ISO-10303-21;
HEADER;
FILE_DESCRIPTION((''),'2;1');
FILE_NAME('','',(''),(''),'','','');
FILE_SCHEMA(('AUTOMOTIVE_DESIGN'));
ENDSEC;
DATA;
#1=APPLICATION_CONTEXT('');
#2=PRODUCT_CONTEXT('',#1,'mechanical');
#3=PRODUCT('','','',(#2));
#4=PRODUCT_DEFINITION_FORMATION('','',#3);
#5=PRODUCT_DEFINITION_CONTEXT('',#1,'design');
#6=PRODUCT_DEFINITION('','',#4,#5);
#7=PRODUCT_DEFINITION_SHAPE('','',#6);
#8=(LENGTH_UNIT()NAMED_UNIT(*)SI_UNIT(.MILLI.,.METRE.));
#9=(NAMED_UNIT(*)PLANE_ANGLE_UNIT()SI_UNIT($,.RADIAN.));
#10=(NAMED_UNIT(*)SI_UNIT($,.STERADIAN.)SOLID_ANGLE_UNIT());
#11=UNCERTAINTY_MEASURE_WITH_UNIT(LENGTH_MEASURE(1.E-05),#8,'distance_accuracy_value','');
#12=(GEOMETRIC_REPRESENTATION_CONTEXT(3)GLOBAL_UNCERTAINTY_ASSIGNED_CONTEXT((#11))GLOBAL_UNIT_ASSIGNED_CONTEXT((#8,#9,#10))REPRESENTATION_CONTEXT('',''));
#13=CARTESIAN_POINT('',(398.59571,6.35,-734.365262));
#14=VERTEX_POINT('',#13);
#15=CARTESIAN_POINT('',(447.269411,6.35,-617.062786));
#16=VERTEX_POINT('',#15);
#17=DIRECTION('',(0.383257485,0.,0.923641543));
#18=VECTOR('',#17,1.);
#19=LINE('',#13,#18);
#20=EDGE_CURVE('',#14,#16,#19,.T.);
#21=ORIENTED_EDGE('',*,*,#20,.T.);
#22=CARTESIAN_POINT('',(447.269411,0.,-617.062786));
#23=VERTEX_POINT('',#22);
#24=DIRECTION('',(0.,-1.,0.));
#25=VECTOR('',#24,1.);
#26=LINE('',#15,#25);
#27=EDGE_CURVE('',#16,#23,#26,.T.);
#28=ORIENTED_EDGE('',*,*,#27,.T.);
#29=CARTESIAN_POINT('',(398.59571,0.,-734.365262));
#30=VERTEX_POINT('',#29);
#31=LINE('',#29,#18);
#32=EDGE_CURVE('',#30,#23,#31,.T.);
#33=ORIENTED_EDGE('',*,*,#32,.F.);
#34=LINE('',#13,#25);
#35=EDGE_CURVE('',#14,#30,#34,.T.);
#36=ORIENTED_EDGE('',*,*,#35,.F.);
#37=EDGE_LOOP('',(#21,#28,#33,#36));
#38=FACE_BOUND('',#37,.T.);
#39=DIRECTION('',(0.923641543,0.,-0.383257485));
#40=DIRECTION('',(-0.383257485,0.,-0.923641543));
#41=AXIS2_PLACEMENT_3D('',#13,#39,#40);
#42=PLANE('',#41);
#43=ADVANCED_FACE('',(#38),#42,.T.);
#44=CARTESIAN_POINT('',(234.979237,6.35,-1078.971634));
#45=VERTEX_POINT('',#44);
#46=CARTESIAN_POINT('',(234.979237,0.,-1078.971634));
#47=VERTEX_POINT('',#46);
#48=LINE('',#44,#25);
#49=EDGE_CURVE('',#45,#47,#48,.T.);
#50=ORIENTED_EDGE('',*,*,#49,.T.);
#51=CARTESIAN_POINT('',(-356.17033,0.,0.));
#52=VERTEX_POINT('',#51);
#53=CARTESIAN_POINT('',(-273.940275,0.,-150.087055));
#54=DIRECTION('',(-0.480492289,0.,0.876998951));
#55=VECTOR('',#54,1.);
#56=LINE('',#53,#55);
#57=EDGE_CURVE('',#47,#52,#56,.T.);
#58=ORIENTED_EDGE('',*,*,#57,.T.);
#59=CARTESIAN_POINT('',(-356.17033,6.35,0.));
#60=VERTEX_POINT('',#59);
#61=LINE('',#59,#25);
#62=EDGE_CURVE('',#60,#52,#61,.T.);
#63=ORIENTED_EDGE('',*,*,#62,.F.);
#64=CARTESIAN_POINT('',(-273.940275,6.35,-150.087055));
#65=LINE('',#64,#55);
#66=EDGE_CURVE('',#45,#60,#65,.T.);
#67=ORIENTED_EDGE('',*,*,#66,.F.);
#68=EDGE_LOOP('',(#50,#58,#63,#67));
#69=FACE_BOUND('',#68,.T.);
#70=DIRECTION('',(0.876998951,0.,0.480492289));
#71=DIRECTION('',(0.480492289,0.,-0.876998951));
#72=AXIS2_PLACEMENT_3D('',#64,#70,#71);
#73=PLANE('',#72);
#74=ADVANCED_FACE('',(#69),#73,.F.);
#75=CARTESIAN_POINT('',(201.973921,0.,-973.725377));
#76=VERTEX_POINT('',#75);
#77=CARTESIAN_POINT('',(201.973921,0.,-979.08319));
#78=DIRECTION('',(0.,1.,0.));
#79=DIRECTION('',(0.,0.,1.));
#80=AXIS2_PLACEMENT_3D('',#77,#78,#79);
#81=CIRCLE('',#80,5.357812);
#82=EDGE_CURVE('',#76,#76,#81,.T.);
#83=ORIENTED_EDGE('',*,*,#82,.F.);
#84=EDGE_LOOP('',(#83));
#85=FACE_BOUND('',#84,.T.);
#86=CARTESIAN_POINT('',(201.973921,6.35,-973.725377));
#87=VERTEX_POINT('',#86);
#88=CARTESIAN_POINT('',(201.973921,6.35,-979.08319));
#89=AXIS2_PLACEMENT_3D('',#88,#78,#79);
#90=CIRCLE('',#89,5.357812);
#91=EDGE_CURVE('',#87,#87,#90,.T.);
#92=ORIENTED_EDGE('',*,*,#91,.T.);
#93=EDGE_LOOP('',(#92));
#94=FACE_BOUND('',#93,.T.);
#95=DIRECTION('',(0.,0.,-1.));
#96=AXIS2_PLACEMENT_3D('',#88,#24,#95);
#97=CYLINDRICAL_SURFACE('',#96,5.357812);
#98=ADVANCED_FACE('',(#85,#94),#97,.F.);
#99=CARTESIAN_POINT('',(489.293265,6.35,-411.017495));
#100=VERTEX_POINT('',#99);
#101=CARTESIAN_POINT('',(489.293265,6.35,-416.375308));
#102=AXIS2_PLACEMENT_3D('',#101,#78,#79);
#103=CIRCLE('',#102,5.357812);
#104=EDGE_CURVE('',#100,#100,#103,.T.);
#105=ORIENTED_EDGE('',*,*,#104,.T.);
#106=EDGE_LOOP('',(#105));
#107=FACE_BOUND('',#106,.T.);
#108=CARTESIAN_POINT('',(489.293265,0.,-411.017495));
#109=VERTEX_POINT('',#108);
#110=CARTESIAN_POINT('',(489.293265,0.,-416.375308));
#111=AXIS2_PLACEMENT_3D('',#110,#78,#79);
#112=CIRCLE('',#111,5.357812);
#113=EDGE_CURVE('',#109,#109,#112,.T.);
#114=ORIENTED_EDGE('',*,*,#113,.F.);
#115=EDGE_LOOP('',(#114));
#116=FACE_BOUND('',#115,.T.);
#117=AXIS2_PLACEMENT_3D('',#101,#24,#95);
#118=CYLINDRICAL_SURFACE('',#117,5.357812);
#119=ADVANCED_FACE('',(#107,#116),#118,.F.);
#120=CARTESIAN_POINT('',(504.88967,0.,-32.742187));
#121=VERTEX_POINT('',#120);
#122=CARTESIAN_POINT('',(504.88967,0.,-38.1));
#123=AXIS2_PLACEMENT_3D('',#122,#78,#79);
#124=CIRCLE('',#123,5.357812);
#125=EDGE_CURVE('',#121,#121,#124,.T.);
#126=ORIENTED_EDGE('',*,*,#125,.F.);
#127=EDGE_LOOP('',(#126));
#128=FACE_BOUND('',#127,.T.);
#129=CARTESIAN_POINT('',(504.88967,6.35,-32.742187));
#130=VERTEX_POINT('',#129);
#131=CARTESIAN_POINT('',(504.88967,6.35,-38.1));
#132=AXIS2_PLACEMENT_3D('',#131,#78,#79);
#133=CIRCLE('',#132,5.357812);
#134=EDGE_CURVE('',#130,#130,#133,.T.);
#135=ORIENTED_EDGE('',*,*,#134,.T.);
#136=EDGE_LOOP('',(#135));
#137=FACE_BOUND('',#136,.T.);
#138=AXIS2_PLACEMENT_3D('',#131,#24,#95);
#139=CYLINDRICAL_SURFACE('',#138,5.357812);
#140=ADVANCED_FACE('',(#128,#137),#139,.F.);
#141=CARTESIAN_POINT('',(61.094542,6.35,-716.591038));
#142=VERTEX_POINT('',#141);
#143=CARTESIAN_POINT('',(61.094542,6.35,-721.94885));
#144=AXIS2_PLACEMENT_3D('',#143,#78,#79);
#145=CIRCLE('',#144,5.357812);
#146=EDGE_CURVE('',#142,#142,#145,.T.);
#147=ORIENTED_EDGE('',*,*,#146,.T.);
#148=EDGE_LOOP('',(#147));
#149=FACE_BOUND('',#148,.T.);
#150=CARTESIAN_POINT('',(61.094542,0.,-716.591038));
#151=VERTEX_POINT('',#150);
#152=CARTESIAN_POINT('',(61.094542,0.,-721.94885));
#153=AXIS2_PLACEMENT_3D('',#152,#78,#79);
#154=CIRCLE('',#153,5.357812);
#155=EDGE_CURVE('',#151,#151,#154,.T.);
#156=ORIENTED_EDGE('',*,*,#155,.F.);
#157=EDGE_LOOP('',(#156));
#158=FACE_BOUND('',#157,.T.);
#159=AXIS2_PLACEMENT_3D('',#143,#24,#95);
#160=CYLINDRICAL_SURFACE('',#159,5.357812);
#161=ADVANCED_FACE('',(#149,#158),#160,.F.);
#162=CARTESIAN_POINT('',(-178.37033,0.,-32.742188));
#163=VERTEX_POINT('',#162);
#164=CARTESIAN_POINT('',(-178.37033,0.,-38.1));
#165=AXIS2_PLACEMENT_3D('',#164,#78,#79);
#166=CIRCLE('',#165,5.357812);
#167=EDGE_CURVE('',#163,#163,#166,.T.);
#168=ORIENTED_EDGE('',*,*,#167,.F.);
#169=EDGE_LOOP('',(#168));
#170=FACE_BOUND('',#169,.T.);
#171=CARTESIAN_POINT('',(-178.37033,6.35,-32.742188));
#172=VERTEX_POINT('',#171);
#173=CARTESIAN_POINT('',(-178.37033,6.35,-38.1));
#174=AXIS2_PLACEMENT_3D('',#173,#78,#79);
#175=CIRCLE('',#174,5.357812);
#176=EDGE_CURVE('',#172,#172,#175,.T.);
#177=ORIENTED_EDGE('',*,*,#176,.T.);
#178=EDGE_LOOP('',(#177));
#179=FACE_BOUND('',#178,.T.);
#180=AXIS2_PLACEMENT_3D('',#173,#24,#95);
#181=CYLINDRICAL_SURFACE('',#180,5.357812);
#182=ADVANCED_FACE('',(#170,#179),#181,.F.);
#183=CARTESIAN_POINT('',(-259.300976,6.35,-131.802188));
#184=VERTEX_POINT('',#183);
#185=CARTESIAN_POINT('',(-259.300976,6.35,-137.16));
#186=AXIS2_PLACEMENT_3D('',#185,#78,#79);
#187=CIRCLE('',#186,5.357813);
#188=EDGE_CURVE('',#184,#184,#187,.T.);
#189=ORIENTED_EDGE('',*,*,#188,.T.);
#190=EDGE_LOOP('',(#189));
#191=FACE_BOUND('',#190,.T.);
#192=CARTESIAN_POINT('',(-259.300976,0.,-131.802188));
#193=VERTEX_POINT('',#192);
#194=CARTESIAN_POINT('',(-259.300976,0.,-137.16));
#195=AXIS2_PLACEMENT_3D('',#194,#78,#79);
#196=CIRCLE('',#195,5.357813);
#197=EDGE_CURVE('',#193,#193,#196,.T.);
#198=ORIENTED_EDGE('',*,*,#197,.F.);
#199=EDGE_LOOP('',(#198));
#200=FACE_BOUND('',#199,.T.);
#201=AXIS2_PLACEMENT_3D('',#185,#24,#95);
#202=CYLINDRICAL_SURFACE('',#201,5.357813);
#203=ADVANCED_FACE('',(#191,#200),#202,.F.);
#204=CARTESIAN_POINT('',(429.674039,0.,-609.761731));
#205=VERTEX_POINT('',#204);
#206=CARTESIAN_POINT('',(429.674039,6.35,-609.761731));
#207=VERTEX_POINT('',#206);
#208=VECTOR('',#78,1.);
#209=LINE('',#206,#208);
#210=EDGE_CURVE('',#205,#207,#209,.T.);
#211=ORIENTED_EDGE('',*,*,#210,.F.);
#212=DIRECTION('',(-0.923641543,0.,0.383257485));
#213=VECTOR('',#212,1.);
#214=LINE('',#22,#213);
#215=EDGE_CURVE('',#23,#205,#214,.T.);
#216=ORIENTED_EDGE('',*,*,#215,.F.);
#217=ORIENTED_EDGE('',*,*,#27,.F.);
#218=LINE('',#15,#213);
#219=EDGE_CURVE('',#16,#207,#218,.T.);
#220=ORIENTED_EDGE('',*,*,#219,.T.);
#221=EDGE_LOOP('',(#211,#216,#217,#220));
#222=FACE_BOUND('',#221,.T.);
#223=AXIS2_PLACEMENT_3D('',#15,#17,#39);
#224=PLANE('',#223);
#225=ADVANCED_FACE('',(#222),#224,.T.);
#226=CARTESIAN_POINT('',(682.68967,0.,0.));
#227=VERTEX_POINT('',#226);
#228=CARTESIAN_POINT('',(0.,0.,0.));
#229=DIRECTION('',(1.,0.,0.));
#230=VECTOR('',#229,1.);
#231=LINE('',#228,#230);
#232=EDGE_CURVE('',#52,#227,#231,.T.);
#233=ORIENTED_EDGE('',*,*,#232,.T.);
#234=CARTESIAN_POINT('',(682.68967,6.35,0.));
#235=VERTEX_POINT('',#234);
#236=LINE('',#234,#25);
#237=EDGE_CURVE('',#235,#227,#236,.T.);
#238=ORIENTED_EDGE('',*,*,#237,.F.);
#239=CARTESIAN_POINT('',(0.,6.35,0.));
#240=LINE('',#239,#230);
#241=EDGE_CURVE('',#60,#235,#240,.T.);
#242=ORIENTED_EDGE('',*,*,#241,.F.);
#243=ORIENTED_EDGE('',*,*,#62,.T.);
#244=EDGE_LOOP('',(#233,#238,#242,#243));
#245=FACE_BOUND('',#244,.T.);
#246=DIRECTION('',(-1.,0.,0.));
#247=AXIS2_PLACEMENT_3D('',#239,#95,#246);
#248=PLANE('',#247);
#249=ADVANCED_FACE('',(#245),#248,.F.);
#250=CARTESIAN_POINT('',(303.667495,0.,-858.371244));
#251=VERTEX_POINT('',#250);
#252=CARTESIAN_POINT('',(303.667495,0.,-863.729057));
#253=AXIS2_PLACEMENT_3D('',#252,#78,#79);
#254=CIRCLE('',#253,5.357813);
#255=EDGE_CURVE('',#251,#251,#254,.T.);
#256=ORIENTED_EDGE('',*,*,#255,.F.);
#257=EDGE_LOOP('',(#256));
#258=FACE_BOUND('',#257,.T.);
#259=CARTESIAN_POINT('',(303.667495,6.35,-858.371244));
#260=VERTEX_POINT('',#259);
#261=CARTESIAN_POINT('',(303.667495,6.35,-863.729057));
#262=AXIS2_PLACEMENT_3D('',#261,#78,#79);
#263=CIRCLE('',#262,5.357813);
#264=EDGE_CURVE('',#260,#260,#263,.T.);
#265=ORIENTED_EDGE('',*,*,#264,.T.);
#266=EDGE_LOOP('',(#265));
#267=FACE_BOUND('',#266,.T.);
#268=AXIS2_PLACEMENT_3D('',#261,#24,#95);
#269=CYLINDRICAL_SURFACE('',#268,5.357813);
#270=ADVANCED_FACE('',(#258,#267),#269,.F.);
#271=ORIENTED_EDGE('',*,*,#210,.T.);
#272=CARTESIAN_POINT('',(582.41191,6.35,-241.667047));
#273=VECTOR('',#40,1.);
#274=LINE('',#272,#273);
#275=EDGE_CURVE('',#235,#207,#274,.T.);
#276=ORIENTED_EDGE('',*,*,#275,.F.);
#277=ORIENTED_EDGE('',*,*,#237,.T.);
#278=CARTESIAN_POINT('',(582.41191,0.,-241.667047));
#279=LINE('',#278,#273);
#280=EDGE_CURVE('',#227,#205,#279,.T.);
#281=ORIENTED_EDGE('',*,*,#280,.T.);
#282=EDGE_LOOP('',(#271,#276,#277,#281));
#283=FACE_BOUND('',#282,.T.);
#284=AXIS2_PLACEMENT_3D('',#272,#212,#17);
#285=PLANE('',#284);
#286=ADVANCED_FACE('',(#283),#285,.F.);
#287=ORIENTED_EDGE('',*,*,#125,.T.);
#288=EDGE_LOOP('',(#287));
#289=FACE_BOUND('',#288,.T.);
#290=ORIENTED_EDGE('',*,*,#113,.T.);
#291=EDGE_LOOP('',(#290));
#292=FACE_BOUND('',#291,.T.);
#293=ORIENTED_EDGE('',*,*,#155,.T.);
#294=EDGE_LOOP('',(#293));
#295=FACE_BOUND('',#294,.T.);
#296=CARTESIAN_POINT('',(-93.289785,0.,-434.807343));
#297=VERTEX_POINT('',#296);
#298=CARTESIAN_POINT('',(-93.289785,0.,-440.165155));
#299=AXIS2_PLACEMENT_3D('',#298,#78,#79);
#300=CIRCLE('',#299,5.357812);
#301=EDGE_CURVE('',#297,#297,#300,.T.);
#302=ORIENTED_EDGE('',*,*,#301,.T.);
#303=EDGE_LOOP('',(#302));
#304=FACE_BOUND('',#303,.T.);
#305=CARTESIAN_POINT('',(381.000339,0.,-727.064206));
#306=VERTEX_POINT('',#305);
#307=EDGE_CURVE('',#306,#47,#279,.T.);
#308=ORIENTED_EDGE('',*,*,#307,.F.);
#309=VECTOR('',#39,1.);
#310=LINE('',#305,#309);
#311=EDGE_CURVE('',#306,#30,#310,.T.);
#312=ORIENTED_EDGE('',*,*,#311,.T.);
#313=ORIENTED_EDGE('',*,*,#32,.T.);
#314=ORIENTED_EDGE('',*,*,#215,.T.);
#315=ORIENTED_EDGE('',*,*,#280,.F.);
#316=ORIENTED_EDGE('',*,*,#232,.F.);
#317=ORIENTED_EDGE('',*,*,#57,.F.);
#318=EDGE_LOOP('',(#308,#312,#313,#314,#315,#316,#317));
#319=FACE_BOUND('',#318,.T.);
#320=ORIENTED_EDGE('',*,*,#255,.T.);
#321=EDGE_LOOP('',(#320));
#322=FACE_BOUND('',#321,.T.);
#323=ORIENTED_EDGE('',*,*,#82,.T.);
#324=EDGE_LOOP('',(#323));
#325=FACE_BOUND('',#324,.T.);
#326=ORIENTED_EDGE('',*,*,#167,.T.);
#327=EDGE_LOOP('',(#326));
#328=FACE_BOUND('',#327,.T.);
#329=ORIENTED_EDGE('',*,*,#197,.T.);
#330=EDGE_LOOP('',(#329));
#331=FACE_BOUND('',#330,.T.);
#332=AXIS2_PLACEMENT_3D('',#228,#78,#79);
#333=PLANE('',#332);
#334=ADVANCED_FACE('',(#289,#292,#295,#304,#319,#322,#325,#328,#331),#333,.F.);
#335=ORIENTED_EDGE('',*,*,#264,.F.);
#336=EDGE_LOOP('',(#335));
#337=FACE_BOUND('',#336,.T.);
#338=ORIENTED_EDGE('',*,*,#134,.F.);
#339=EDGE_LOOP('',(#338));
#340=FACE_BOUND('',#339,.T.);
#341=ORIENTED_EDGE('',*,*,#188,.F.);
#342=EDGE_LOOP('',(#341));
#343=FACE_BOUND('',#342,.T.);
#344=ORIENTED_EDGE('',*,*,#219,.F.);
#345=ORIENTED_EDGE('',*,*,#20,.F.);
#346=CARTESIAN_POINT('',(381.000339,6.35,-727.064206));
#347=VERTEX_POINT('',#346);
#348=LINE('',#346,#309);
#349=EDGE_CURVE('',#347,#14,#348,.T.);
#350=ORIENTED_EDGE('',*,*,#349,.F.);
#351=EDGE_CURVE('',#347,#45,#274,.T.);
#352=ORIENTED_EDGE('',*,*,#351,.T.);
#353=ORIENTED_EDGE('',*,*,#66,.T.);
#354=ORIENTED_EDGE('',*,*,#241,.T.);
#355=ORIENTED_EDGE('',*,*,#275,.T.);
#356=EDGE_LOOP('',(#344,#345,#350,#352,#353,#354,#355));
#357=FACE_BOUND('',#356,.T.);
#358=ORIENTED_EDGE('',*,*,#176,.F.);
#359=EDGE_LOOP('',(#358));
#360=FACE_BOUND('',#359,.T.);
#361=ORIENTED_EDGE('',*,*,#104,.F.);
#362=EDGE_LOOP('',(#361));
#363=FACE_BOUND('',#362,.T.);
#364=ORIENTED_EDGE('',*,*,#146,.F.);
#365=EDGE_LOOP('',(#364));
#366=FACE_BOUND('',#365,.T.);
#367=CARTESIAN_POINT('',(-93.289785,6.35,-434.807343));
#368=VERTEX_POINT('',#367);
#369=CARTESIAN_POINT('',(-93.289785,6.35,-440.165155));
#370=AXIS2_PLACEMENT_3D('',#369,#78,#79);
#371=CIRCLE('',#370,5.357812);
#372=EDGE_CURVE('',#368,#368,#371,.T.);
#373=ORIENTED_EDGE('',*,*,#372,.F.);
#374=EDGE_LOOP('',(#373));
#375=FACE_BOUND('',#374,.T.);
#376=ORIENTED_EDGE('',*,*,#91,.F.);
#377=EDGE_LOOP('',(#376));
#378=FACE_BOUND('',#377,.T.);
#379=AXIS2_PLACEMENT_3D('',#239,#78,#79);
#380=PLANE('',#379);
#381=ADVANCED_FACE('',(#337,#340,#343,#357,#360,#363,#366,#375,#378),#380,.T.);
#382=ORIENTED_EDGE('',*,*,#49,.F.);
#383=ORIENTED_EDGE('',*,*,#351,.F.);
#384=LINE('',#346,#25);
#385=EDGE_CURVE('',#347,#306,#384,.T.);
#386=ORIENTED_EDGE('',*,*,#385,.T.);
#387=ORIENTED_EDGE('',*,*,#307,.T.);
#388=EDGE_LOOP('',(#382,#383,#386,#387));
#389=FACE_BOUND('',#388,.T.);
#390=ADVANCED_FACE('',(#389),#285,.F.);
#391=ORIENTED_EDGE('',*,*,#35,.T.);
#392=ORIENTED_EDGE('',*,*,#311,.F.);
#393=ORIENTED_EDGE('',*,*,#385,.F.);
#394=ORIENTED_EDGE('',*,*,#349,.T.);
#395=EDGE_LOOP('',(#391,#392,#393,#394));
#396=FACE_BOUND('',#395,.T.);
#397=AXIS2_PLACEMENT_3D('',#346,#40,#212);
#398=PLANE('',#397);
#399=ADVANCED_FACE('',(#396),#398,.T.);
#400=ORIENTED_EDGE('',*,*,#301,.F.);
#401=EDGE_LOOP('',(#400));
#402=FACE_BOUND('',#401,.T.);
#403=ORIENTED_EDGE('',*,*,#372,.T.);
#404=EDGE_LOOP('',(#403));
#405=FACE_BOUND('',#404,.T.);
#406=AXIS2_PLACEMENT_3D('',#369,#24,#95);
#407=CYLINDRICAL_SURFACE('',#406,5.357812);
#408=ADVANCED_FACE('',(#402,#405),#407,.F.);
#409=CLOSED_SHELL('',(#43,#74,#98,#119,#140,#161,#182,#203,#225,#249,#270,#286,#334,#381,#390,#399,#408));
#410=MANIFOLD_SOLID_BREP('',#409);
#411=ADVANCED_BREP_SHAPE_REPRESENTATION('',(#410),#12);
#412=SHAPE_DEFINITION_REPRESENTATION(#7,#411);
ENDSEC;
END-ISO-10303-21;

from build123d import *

# Parameters (mm, degrees)
SKETCH4_R           = 5.3578125
BOSS_EXTRUDE2_DEPTH = 6.35


with BuildPart() as part:
    # Sketch4 → Boss-Extrude2 (new body)
    with BuildSketch(Plane(origin=(0, 0, 0), x_dir=(1, 0, 0), z_dir=(0, 1, 0))):
        Polygon((234.979236566, 1078.971634327), (-356.170330123, 0), (682.689669877, 0), (429.674039163, 609.761730508), (381.000338514, 727.064206463), align=None)
        with Locations((-178.370330123, 38.1)):
            Circle(SKETCH4_R, mode=Mode.SUBTRACT)
        with Locations((-259.300975608, 137.16)):
            Circle(SKETCH4_R, mode=Mode.SUBTRACT)
        with Locations((-93.289784566, 440.165155055)):
            Circle(SKETCH4_R, mode=Mode.SUBTRACT)
        with Locations((504.889669877, 38.1)):
            Circle(SKETCH4_R, mode=Mode.SUBTRACT)
        with Locations((489.29326545, 416.375307605)):
            Circle(SKETCH4_R, mode=Mode.SUBTRACT)
        with Locations((61.094542054, 721.948850069)):
            Circle(SKETCH4_R, mode=Mode.SUBTRACT)
        with Locations((303.667495105, 863.729056592)):
            Circle(SKETCH4_R, mode=Mode.SUBTRACT)
        with Locations((201.97392089, 979.083189991)):
            Circle(SKETCH4_R, mode=Mode.SUBTRACT)
        Polygon((429.674039163, 609.761730508), (381.000338514, 727.064206463), (398.595709907, 734.36526156), (447.269410556, 617.062785606), align=None)
    extrude(amount=BOSS_EXTRUDE2_DEPTH)


solid = part.part
